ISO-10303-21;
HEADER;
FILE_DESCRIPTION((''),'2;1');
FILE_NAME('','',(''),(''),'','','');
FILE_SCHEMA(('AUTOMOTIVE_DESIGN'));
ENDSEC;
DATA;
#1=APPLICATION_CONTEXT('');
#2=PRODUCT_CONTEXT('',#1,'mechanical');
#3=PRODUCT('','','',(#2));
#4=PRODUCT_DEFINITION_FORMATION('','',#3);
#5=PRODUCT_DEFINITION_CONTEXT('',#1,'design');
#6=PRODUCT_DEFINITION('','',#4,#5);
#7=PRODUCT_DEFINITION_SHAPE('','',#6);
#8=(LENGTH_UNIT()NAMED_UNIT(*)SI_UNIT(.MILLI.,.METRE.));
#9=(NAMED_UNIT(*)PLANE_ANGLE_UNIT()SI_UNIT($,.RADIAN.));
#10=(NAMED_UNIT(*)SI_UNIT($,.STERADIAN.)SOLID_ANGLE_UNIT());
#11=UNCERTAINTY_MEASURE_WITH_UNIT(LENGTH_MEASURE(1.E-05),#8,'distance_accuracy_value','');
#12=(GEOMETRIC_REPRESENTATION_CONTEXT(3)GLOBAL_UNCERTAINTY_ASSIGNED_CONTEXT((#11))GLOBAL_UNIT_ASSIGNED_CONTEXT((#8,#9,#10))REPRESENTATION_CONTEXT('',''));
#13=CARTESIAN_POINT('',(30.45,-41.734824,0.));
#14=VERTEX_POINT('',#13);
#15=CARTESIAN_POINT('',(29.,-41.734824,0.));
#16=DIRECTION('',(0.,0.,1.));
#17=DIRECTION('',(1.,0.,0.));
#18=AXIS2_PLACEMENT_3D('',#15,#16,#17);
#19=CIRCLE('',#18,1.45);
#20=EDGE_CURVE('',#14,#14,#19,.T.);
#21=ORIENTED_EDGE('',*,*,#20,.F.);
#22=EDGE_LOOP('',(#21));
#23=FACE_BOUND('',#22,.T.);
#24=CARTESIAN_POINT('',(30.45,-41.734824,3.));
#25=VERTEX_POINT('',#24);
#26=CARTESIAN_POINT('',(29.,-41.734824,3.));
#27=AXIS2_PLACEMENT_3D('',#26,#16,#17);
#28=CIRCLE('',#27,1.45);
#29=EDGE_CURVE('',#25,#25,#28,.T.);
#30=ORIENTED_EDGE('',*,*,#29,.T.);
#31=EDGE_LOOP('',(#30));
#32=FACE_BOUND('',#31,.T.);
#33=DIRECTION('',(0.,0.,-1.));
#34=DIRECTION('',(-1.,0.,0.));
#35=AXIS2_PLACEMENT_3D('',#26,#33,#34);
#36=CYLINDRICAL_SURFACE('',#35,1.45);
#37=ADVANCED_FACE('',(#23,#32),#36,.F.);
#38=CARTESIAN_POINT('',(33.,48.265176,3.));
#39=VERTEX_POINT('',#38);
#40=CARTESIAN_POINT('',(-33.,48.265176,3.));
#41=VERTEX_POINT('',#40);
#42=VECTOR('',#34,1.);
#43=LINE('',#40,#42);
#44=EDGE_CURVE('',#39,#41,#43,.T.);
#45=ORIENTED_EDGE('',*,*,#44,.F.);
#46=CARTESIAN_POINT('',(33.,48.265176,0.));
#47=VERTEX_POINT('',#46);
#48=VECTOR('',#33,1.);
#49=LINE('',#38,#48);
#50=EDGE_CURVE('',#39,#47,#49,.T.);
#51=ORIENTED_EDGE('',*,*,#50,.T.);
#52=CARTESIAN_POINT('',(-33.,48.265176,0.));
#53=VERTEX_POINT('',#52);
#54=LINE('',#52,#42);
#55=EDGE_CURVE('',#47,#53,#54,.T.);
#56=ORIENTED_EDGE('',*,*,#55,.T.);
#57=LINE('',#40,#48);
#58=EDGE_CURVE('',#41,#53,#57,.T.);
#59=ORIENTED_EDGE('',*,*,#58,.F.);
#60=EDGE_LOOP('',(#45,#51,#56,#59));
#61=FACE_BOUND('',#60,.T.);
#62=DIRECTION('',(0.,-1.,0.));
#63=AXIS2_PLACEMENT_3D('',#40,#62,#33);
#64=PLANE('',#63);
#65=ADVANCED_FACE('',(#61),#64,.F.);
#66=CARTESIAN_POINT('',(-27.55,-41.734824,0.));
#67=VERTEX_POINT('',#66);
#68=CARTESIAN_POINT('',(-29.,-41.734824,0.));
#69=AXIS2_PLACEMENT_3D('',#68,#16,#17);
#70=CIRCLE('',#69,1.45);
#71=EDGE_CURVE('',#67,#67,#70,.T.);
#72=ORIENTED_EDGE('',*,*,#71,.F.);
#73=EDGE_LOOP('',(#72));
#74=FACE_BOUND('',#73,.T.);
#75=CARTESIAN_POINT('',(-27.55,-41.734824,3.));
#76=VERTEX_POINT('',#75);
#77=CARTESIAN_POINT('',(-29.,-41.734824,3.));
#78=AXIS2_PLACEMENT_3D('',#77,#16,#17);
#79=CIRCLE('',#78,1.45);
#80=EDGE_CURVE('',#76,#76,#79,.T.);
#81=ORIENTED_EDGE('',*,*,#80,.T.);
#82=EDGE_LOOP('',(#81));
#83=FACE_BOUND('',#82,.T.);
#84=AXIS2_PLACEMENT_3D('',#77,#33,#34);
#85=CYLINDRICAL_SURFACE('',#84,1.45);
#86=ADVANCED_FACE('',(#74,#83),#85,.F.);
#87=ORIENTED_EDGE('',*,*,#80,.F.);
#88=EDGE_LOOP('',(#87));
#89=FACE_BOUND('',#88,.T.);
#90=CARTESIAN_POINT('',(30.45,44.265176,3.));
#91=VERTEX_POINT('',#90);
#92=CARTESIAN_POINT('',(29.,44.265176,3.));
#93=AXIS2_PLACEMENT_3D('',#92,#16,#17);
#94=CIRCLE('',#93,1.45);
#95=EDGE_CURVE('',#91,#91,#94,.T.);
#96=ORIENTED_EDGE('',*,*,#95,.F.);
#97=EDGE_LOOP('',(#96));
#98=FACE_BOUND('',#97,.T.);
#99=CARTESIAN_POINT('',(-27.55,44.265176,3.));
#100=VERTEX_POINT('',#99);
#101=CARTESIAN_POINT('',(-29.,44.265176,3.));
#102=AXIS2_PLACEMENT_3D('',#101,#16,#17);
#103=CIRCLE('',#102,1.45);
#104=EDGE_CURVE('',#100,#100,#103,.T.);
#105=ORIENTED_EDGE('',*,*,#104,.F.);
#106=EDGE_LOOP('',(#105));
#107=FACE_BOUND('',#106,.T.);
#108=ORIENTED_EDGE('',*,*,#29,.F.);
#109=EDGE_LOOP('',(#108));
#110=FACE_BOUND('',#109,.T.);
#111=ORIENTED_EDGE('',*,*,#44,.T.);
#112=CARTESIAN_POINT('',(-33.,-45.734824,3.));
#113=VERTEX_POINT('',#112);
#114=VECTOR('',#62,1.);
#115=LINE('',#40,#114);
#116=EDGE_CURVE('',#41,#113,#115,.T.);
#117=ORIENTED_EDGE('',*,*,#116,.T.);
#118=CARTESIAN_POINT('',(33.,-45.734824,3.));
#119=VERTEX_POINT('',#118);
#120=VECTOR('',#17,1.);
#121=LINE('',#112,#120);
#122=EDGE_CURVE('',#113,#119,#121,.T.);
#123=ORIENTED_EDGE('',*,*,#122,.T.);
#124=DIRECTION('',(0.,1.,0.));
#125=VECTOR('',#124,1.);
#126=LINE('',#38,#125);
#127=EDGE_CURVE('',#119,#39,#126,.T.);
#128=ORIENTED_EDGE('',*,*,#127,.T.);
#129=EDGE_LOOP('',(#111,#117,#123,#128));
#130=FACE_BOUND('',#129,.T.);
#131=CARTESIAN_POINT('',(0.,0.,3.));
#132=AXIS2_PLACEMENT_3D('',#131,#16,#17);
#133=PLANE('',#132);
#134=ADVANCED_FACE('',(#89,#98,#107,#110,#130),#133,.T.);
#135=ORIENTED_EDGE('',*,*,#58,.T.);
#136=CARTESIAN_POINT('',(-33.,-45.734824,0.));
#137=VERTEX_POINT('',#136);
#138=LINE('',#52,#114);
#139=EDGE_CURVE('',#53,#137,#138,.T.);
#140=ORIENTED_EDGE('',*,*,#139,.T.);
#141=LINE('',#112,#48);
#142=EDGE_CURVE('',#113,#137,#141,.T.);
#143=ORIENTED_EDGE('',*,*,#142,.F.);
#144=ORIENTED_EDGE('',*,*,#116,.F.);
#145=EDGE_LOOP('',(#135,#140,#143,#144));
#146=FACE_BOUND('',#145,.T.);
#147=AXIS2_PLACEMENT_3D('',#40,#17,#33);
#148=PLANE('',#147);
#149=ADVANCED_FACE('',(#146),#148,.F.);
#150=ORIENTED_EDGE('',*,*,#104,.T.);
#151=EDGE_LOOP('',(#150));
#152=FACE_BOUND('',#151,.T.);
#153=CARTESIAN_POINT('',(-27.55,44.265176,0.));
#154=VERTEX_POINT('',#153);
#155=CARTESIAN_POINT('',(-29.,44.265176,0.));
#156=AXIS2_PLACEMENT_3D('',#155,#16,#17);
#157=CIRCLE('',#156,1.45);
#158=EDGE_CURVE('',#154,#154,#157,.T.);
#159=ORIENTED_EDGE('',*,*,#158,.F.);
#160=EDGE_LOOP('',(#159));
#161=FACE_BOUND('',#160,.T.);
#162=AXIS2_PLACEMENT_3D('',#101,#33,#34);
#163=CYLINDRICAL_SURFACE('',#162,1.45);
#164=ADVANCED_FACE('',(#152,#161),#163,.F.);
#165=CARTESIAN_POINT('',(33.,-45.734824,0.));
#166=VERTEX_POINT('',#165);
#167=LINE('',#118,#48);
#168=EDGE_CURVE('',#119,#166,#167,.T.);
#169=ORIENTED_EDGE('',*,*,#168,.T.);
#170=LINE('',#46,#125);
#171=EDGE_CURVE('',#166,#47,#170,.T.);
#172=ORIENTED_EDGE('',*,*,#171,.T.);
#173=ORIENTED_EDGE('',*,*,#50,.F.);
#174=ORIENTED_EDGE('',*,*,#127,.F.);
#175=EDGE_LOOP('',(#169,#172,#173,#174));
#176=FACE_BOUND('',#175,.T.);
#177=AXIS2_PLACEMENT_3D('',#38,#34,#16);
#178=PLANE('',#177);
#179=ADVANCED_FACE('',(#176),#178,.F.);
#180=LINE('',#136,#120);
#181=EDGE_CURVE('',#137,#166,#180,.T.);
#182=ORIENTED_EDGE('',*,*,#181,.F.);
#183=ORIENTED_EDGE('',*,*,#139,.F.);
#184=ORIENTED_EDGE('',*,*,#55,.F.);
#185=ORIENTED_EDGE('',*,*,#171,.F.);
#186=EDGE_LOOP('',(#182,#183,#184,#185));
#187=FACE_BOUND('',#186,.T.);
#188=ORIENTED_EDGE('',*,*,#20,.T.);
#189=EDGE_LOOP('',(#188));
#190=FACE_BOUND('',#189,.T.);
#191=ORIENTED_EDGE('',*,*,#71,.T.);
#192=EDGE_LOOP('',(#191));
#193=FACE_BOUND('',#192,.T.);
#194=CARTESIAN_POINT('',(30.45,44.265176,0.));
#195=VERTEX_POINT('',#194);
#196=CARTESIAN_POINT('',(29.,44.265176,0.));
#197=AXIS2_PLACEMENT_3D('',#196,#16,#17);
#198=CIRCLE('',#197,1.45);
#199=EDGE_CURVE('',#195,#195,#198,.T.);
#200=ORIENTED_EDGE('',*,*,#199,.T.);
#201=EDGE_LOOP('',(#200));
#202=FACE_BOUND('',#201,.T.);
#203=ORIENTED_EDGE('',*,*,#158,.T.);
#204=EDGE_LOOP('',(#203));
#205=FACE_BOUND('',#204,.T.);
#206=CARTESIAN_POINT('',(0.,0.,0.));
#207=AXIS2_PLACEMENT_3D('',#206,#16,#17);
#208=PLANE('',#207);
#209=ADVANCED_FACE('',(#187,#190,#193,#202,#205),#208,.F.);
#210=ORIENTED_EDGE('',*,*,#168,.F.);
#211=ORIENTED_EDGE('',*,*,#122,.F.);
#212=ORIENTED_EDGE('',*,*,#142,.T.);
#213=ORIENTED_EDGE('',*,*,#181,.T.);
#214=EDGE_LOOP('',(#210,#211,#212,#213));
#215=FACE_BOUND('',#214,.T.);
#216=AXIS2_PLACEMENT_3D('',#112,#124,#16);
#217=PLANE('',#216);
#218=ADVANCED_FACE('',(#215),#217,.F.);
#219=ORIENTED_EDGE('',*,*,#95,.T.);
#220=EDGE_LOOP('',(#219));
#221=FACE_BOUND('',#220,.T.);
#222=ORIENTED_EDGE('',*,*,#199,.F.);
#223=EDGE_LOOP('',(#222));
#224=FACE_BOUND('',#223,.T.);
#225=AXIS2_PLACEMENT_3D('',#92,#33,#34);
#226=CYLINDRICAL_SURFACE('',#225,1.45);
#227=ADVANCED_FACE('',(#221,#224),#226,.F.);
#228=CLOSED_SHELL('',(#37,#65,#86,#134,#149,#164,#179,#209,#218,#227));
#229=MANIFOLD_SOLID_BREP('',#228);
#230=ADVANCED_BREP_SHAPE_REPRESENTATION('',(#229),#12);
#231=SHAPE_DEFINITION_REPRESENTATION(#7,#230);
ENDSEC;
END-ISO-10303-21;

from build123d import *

# Parameters (mm, degrees)
SKETCH1_W           = 66
SKETCH1_H           = 94
SKETCH1_R           = 1.45
BOSS_EXTRUDE1_DEPTH = 3


with BuildPart() as part:
    # Sketch1 → Boss-Extrude1 (new body)
    with BuildSketch(Plane.XY):
        with Locations((0, 1.265176442)):
            Rectangle(SKETCH1_W, SKETCH1_H)
        with Locations((29, -41.734823558)):
            Circle(SKETCH1_R, mode=Mode.SUBTRACT)
        with Locations((29, 44.265176442)):
            Circle(SKETCH1_R, mode=Mode.SUBTRACT)
        with Locations((-29, -41.734823558)):
            Circle(SKETCH1_R, mode=Mode.SUBTRACT)
        with Locations((-29, 44.265176442)):
            Circle(SKETCH1_R, mode=Mode.SUBTRACT)
    extrude(amount=BOSS_EXTRUDE1_DEPTH)


solid = part.part
